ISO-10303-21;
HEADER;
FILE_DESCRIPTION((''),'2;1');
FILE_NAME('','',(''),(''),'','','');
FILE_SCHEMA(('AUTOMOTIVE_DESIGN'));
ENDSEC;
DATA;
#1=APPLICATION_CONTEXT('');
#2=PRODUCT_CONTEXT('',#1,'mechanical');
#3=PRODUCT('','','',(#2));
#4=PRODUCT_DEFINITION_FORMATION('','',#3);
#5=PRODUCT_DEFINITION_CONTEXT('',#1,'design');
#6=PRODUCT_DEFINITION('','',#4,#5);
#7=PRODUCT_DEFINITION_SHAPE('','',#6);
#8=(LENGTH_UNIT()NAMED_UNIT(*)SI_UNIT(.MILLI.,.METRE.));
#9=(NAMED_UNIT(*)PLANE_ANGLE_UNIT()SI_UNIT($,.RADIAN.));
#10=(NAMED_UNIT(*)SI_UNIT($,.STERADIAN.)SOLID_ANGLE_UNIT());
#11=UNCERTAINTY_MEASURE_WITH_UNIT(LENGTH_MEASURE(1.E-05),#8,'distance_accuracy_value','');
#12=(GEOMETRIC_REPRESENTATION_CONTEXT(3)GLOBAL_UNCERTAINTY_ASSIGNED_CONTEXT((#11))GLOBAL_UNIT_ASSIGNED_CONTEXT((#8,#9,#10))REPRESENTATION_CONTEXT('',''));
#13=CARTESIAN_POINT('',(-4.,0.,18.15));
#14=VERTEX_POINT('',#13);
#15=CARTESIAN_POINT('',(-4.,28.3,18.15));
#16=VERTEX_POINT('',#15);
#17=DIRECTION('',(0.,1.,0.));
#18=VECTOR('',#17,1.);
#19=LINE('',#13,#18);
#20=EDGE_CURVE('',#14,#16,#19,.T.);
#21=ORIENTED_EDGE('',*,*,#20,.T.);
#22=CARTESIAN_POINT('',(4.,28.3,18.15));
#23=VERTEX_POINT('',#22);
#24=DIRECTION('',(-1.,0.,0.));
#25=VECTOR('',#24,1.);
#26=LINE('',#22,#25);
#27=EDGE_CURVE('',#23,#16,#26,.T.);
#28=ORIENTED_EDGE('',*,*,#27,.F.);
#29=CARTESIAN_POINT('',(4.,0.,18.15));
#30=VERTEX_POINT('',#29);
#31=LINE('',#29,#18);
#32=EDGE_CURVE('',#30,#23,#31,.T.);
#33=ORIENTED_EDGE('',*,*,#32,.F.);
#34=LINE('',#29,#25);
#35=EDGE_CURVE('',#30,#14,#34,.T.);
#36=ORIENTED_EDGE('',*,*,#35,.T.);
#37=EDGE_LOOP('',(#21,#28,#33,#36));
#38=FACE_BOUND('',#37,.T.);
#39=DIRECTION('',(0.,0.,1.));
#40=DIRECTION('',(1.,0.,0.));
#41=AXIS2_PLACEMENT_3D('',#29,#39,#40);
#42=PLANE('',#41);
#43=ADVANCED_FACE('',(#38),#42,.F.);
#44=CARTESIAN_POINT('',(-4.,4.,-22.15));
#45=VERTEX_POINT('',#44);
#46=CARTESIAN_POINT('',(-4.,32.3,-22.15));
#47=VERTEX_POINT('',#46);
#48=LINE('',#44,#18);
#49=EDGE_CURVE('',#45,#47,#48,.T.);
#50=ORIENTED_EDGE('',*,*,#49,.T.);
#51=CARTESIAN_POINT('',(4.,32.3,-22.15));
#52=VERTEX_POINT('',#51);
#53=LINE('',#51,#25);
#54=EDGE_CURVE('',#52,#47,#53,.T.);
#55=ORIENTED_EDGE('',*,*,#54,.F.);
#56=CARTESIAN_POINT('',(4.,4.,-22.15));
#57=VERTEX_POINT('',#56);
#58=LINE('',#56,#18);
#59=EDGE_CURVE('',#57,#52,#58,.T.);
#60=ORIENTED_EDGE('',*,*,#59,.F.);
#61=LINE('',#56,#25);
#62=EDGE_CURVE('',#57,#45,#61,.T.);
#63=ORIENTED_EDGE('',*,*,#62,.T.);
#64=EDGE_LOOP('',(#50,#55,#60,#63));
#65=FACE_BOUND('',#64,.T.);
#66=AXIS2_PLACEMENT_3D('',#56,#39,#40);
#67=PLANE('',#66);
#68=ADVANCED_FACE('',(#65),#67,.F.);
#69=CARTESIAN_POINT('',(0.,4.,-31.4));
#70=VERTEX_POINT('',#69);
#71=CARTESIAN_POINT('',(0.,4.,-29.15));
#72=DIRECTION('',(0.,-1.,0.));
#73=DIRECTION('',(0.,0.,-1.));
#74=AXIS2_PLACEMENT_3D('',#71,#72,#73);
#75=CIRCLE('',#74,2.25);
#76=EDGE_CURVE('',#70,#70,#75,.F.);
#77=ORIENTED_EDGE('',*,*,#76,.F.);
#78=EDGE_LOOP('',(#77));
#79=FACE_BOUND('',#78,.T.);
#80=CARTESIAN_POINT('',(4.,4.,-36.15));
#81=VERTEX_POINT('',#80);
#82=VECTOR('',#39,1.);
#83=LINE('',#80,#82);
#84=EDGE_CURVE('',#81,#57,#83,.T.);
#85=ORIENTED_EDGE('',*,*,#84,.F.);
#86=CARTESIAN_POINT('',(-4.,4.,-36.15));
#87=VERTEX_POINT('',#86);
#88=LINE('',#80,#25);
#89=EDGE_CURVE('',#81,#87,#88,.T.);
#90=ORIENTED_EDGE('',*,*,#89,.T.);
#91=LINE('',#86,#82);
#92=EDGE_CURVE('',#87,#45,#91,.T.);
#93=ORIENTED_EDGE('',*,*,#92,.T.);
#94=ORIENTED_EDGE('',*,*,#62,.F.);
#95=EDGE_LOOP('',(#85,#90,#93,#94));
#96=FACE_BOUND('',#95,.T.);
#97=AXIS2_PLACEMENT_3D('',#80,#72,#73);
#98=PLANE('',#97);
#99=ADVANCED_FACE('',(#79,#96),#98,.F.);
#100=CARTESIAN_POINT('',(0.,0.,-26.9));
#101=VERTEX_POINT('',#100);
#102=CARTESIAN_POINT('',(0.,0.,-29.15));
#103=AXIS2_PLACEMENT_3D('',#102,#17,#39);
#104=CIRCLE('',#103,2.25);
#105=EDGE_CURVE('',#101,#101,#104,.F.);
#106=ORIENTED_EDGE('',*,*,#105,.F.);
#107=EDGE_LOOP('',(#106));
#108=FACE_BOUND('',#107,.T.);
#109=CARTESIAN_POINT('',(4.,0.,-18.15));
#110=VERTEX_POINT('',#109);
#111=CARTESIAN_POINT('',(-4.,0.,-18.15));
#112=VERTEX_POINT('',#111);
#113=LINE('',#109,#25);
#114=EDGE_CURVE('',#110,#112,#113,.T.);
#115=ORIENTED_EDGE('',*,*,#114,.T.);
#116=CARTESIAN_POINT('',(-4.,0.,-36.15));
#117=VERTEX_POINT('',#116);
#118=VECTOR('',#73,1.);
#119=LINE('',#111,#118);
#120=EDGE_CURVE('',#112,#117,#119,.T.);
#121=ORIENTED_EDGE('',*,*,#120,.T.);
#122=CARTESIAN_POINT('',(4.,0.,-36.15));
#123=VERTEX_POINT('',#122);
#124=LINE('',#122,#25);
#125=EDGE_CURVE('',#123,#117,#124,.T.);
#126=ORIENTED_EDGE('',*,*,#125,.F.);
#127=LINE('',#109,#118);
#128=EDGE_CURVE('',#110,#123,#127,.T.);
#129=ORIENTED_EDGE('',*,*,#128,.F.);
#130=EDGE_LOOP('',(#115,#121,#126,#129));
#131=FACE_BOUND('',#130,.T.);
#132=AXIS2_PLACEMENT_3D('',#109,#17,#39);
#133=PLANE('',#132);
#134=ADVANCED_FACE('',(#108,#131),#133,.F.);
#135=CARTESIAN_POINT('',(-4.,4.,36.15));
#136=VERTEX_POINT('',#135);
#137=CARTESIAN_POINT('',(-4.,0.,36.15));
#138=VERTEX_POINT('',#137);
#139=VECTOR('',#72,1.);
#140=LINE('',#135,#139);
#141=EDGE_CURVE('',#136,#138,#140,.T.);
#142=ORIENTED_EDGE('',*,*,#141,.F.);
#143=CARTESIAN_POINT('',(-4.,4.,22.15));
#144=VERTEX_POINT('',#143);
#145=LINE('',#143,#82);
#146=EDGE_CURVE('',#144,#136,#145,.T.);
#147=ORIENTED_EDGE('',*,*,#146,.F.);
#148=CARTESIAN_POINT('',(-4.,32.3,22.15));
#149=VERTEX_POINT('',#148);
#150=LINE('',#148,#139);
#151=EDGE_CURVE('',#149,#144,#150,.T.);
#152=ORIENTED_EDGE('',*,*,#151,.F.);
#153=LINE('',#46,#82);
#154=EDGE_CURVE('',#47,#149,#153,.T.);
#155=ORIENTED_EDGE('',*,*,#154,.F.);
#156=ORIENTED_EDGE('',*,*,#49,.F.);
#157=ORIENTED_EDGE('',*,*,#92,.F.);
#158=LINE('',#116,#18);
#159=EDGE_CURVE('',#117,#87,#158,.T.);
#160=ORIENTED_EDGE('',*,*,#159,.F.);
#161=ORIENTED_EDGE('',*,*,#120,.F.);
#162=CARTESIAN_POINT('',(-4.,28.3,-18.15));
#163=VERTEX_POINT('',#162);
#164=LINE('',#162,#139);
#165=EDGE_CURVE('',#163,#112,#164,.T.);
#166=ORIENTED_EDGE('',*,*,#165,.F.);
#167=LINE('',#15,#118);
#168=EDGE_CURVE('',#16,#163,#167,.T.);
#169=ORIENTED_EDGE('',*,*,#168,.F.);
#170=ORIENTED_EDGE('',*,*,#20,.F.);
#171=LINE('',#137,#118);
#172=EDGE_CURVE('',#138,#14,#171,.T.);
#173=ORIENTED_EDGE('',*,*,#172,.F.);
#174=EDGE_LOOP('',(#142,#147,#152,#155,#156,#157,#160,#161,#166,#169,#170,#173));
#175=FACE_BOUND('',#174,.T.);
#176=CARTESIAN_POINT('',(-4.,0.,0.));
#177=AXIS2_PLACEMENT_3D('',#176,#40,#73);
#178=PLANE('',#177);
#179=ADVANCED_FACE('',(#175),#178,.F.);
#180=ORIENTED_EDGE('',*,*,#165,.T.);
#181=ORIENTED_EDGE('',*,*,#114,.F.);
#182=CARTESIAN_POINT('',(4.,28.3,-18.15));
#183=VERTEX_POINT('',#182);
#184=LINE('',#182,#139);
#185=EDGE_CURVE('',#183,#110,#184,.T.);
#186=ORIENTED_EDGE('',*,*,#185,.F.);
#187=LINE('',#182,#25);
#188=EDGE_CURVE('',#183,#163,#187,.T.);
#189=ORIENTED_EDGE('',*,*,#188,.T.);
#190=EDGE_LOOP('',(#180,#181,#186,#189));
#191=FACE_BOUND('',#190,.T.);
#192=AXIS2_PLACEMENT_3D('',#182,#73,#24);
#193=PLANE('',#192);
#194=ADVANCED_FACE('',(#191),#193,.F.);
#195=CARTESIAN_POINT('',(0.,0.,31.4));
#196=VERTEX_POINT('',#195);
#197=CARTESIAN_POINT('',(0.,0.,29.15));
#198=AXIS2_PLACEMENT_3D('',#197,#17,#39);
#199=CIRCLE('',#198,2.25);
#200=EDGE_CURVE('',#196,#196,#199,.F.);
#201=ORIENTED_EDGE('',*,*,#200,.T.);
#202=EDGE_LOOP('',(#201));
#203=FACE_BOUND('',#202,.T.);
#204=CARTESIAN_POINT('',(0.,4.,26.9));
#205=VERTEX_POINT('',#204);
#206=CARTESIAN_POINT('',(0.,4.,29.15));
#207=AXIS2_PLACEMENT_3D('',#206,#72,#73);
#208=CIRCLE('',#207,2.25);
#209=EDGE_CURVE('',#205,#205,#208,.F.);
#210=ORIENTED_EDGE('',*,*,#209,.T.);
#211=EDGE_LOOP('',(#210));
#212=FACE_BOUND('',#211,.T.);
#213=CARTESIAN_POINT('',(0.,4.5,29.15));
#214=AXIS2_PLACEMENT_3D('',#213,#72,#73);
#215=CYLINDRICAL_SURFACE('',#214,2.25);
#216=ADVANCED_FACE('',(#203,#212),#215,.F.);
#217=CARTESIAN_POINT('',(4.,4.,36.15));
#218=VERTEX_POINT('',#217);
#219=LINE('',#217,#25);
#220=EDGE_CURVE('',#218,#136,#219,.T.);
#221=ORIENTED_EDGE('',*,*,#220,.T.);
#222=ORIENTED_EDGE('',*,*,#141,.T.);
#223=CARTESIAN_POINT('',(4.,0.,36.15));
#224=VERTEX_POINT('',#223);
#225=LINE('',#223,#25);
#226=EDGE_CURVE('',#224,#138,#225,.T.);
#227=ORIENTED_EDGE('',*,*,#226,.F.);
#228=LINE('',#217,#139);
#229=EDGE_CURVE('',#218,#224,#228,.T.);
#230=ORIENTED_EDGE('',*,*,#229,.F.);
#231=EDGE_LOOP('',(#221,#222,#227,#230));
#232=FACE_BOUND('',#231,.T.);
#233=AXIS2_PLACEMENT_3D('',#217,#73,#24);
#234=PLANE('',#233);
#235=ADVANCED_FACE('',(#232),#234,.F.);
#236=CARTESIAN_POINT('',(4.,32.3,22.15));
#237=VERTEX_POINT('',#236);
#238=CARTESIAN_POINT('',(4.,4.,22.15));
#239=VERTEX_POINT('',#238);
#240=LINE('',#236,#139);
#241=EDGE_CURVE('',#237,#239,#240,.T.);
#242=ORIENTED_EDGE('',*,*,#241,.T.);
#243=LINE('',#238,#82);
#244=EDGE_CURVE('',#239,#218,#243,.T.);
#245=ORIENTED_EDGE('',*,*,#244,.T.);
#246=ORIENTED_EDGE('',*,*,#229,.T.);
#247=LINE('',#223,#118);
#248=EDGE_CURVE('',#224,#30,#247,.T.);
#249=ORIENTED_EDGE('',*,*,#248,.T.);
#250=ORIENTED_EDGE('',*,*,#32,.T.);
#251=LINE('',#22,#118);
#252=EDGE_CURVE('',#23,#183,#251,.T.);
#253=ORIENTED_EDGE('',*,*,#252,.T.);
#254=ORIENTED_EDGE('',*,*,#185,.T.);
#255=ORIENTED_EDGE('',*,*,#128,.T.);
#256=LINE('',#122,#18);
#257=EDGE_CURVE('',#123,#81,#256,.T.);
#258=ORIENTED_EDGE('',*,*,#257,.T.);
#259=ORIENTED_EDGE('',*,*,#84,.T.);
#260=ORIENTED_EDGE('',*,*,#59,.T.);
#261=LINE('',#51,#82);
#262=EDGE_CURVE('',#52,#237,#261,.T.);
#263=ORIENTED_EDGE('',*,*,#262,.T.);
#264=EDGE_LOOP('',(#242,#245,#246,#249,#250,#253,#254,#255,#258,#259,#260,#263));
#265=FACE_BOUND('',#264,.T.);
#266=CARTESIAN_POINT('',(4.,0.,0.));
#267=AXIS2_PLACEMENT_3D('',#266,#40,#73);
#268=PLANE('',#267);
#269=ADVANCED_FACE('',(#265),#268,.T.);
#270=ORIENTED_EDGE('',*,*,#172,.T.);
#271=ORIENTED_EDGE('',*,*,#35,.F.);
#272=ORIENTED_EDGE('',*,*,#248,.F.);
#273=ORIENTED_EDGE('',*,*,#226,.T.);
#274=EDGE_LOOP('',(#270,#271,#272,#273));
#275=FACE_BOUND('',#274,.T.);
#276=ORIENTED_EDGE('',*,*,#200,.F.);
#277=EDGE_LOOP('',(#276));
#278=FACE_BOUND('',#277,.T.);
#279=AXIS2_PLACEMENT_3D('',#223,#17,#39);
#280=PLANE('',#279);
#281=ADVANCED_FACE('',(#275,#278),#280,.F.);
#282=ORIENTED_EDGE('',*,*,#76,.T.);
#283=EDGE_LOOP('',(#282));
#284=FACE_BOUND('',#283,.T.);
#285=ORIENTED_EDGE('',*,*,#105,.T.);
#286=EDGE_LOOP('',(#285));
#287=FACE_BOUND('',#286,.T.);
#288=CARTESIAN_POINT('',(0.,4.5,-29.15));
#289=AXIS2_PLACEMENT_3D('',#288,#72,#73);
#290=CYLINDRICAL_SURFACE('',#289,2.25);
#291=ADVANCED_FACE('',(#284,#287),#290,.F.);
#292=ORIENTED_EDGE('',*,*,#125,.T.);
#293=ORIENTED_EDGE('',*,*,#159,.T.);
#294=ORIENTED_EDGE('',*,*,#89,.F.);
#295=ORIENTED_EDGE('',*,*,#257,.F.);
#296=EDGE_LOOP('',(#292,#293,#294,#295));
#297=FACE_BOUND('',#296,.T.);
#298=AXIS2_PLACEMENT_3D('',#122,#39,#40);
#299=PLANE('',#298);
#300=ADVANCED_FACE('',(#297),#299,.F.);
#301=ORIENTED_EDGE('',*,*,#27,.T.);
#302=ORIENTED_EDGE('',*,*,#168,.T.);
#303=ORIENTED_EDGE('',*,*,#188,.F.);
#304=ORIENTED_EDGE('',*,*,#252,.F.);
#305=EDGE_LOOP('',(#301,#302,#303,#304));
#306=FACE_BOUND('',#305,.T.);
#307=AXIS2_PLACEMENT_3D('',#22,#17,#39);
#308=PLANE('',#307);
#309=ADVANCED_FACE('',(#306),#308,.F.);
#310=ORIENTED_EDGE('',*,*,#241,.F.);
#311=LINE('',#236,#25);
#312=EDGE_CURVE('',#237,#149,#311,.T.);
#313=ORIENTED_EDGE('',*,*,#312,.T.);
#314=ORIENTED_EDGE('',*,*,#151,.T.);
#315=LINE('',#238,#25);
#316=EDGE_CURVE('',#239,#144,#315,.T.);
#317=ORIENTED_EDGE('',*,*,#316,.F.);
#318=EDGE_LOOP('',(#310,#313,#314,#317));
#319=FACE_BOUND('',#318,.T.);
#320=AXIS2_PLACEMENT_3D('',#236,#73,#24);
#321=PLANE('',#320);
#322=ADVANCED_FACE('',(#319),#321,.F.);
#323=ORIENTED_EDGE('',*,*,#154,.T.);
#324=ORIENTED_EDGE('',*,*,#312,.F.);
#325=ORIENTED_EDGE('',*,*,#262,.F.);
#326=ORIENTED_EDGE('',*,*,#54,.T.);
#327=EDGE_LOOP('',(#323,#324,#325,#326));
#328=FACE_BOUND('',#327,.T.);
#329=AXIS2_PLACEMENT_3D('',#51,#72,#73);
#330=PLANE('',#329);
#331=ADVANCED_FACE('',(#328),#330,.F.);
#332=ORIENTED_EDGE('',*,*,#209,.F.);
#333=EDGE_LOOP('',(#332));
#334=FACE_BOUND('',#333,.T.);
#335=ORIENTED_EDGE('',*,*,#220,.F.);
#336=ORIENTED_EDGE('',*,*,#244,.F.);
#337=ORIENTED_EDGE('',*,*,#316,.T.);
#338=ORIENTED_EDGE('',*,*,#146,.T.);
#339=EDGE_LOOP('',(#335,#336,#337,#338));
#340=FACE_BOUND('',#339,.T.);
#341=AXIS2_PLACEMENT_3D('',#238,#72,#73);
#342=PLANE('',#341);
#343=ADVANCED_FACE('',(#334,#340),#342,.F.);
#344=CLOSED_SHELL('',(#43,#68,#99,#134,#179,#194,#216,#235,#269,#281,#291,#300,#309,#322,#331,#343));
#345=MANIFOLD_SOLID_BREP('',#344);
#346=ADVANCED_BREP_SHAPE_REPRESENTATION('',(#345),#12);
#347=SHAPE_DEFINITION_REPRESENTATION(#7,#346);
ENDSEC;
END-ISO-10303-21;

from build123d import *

# Parameters (mm, degrees)
STRAP_DEPTH        = 4
EAR_HOLES_M4_START = -0.5
SKETCH2_R          = 2.25
EAR_HOLES_M4_DEPTH = 5


with BuildPart() as part:
    # Sketch1 → Strap (new, symmetric)
    with BuildSketch(Plane(origin=(0, 0, 0), x_dir=(0, 0, -1), z_dir=(1, 0, 0))):
        Polygon((-36.15, 0), (-18.15, 0), (-18.15, 28.3), (18.15, 28.3), (18.15, 0), (36.15, 0), (36.15, 4), (22.15, 4), (22.15, 32.3), (-22.15, 32.3), (-22.15, 4), (-36.15, 4), align=None)
    extrude(amount=STRAP_DEPTH, both=True)

    # Sketch2 → Ear_Holes_M4 (cut)
    with BuildSketch(Plane(origin=(0, 0, 0), x_dir=(1, 0, 0), z_dir=(0, 1, 0)).offset(EAR_HOLES_M4_START)):
        with Locations(Location((0, 29.15, 0), (0, 0, 90))):
            Circle(SKETCH2_R)
        with Locations(Location((0, -29.15, 0), (0, 0, 90))):
            Circle(SKETCH2_R)
    extrude(amount=EAR_HOLES_M4_DEPTH, mode=Mode.SUBTRACT)


solid = part.part
